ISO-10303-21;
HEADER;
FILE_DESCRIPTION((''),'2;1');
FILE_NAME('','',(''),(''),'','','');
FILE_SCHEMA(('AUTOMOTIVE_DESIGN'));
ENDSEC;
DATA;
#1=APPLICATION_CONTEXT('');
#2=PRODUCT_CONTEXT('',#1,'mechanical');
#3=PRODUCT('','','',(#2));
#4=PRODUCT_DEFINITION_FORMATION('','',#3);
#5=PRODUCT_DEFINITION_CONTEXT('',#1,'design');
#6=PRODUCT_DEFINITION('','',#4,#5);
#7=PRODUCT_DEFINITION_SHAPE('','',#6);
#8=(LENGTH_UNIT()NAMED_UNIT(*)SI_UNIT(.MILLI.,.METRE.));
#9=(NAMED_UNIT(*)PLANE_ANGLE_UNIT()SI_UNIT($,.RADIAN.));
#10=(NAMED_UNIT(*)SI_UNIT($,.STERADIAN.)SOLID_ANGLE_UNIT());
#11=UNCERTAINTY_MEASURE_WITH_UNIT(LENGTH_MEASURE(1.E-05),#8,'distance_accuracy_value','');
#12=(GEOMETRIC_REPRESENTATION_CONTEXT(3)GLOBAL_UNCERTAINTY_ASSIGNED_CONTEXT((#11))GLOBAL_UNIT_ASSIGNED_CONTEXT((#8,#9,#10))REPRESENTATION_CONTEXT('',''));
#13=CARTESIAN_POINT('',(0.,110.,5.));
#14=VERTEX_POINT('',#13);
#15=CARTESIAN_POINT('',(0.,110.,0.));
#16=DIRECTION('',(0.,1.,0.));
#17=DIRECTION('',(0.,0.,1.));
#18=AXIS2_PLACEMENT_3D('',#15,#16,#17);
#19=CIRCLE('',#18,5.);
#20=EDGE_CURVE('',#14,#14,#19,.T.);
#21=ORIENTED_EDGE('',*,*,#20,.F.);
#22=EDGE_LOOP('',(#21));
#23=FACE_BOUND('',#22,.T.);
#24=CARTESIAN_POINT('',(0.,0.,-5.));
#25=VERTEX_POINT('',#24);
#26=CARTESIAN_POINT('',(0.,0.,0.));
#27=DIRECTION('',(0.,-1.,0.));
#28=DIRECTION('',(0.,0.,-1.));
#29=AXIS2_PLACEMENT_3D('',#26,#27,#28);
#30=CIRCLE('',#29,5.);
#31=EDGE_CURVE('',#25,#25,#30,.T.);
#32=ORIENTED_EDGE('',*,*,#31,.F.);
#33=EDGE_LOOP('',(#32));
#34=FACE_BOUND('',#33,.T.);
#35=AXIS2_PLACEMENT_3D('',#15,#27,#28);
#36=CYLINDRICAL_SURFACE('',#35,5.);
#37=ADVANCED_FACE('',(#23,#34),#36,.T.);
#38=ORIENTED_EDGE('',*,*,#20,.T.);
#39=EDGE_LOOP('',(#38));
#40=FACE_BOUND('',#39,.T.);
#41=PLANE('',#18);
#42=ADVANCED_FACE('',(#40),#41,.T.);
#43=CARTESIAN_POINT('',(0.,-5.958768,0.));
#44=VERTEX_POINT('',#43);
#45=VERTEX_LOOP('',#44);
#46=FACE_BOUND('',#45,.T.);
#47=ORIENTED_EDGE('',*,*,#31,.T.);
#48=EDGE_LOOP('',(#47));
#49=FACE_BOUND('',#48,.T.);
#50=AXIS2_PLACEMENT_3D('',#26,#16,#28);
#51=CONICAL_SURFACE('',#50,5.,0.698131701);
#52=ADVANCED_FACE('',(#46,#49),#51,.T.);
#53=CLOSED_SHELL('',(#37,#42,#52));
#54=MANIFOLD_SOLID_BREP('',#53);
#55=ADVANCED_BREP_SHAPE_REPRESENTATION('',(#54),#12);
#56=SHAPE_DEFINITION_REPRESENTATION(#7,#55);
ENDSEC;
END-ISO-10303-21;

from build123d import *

# Parameters (mm, degrees)
SKETCH1_R           = 5
BOSS_EXTRUDE1_DEPTH = 110


with BuildPart() as part:
    # Sketch1 → Boss-Extrude1 (new body)
    with BuildSketch(Plane(origin=(0, 0, 0), x_dir=(1, 0, 0), z_dir=(0, 1, 0))):
        with Locations(Location((0, 0, 0), (0, 0, 270))):
            Circle(SKETCH1_R)
    extrude(amount=BOSS_EXTRUDE1_DEPTH)

    # Boss-Extrude2 cone 1 section (through the dimple's axis) → Boss-Extrude2 (revolve)
    with BuildSketch(Plane(origin=(0, 0, 0), x_dir=(0, 0, 1), z_dir=(1, 0, 0))):
        Polygon((0, 0), (5, 0), (0, 5.958767963), align=None)
    revolve(axis=Axis((0, 0, 0), (0, -1, 0)))


solid = part.part
